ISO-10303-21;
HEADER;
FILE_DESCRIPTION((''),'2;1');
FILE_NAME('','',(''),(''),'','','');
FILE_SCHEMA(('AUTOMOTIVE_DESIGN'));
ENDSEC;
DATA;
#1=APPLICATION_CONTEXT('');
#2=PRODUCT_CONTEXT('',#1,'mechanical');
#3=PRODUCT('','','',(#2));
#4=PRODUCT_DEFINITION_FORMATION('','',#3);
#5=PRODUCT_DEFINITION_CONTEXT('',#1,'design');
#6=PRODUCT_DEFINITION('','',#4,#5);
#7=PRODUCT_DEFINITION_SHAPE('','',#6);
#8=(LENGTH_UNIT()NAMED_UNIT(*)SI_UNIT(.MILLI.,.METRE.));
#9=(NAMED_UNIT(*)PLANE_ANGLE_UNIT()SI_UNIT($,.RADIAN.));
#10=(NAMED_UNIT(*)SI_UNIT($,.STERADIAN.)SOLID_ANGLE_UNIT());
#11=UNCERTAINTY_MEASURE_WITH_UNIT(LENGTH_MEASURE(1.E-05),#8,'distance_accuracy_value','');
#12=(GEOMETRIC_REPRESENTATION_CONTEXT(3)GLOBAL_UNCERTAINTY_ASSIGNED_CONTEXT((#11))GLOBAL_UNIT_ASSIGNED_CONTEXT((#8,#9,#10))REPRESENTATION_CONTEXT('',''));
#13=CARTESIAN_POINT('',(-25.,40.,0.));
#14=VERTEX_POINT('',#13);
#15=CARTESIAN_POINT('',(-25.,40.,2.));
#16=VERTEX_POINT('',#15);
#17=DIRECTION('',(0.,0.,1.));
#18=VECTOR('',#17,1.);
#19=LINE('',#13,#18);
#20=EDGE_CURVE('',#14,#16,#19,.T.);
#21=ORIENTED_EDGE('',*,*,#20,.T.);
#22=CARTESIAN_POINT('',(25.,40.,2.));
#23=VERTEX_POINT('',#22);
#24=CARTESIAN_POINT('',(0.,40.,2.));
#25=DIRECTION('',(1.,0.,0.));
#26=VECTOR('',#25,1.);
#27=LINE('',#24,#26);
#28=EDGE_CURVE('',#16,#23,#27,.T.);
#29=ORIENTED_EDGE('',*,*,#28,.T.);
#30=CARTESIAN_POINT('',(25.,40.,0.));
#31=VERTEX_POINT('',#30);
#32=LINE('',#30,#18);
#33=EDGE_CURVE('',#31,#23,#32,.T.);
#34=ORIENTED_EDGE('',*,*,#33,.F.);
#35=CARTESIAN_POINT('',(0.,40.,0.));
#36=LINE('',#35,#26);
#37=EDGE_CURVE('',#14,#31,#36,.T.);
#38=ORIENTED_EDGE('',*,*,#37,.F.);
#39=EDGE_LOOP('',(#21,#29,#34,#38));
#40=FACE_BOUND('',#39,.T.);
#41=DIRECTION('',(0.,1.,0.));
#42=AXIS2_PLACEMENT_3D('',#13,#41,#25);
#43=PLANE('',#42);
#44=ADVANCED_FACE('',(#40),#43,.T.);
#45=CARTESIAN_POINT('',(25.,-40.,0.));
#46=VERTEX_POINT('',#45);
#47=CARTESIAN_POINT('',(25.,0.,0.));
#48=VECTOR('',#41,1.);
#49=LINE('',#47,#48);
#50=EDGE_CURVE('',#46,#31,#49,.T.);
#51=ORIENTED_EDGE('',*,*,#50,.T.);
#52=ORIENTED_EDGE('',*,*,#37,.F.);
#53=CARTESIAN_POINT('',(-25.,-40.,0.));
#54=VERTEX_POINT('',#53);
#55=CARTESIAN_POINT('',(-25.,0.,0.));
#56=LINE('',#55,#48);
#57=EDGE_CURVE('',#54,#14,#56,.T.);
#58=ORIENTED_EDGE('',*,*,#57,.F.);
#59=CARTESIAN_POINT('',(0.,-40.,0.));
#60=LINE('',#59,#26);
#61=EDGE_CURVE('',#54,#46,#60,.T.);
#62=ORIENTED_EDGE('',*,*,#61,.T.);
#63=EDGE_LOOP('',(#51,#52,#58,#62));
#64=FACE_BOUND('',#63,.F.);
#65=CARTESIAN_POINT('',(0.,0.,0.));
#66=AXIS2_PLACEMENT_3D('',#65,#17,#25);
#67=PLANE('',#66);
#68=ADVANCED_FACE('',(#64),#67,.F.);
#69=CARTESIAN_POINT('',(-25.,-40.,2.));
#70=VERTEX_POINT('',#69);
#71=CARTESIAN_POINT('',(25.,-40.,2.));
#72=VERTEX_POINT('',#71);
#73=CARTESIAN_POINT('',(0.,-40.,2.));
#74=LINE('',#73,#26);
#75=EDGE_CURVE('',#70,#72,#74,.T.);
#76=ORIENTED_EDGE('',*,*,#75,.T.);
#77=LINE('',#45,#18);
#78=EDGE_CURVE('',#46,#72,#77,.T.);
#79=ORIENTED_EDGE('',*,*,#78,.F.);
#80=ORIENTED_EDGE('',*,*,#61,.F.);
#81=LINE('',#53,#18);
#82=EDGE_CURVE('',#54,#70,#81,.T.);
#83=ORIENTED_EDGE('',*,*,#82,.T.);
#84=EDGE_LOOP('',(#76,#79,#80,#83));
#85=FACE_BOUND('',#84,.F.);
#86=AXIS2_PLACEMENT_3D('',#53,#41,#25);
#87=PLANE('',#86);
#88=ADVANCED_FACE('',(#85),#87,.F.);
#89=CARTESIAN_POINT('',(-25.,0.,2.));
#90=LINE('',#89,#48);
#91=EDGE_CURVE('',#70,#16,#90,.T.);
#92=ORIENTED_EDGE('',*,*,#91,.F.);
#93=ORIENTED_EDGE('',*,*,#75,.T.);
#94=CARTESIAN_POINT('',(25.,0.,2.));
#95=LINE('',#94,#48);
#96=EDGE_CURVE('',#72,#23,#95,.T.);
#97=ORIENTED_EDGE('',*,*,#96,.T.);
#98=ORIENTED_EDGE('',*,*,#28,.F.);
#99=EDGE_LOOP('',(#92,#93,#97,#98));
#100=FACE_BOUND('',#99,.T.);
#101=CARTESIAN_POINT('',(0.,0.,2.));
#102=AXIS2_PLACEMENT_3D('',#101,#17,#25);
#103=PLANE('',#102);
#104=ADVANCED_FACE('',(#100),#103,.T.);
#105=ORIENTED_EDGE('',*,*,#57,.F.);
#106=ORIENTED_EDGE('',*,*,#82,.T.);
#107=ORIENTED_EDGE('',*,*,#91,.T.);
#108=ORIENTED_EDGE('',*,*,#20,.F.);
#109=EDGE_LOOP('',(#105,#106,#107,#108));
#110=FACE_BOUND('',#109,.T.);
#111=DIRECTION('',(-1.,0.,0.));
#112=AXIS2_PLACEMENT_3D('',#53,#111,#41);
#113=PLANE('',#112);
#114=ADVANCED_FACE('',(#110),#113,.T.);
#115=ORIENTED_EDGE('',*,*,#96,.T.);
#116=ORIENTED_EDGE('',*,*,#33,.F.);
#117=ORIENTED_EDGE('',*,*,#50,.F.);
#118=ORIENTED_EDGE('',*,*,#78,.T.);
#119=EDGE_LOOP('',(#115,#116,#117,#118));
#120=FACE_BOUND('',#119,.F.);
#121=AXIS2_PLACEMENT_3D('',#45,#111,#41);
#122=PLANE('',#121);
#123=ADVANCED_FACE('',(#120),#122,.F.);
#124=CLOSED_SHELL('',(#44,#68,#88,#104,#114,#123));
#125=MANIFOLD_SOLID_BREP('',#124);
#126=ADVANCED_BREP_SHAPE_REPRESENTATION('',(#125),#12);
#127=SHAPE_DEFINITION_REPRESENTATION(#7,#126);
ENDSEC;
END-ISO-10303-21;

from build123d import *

# Parameters (mm, degrees)
CROQUIS1_W              = 50
CROQUIS1_H              = 80
SALIENTE_EXTRUIR1_DEPTH = 2


with BuildPart() as part:
    # Croquis1 → Saliente-Extruir1 (new body)
    with BuildSketch(Plane.XY):
        Rectangle(CROQUIS1_W, CROQUIS1_H)
    extrude(amount=SALIENTE_EXTRUIR1_DEPTH)


solid = part.part
